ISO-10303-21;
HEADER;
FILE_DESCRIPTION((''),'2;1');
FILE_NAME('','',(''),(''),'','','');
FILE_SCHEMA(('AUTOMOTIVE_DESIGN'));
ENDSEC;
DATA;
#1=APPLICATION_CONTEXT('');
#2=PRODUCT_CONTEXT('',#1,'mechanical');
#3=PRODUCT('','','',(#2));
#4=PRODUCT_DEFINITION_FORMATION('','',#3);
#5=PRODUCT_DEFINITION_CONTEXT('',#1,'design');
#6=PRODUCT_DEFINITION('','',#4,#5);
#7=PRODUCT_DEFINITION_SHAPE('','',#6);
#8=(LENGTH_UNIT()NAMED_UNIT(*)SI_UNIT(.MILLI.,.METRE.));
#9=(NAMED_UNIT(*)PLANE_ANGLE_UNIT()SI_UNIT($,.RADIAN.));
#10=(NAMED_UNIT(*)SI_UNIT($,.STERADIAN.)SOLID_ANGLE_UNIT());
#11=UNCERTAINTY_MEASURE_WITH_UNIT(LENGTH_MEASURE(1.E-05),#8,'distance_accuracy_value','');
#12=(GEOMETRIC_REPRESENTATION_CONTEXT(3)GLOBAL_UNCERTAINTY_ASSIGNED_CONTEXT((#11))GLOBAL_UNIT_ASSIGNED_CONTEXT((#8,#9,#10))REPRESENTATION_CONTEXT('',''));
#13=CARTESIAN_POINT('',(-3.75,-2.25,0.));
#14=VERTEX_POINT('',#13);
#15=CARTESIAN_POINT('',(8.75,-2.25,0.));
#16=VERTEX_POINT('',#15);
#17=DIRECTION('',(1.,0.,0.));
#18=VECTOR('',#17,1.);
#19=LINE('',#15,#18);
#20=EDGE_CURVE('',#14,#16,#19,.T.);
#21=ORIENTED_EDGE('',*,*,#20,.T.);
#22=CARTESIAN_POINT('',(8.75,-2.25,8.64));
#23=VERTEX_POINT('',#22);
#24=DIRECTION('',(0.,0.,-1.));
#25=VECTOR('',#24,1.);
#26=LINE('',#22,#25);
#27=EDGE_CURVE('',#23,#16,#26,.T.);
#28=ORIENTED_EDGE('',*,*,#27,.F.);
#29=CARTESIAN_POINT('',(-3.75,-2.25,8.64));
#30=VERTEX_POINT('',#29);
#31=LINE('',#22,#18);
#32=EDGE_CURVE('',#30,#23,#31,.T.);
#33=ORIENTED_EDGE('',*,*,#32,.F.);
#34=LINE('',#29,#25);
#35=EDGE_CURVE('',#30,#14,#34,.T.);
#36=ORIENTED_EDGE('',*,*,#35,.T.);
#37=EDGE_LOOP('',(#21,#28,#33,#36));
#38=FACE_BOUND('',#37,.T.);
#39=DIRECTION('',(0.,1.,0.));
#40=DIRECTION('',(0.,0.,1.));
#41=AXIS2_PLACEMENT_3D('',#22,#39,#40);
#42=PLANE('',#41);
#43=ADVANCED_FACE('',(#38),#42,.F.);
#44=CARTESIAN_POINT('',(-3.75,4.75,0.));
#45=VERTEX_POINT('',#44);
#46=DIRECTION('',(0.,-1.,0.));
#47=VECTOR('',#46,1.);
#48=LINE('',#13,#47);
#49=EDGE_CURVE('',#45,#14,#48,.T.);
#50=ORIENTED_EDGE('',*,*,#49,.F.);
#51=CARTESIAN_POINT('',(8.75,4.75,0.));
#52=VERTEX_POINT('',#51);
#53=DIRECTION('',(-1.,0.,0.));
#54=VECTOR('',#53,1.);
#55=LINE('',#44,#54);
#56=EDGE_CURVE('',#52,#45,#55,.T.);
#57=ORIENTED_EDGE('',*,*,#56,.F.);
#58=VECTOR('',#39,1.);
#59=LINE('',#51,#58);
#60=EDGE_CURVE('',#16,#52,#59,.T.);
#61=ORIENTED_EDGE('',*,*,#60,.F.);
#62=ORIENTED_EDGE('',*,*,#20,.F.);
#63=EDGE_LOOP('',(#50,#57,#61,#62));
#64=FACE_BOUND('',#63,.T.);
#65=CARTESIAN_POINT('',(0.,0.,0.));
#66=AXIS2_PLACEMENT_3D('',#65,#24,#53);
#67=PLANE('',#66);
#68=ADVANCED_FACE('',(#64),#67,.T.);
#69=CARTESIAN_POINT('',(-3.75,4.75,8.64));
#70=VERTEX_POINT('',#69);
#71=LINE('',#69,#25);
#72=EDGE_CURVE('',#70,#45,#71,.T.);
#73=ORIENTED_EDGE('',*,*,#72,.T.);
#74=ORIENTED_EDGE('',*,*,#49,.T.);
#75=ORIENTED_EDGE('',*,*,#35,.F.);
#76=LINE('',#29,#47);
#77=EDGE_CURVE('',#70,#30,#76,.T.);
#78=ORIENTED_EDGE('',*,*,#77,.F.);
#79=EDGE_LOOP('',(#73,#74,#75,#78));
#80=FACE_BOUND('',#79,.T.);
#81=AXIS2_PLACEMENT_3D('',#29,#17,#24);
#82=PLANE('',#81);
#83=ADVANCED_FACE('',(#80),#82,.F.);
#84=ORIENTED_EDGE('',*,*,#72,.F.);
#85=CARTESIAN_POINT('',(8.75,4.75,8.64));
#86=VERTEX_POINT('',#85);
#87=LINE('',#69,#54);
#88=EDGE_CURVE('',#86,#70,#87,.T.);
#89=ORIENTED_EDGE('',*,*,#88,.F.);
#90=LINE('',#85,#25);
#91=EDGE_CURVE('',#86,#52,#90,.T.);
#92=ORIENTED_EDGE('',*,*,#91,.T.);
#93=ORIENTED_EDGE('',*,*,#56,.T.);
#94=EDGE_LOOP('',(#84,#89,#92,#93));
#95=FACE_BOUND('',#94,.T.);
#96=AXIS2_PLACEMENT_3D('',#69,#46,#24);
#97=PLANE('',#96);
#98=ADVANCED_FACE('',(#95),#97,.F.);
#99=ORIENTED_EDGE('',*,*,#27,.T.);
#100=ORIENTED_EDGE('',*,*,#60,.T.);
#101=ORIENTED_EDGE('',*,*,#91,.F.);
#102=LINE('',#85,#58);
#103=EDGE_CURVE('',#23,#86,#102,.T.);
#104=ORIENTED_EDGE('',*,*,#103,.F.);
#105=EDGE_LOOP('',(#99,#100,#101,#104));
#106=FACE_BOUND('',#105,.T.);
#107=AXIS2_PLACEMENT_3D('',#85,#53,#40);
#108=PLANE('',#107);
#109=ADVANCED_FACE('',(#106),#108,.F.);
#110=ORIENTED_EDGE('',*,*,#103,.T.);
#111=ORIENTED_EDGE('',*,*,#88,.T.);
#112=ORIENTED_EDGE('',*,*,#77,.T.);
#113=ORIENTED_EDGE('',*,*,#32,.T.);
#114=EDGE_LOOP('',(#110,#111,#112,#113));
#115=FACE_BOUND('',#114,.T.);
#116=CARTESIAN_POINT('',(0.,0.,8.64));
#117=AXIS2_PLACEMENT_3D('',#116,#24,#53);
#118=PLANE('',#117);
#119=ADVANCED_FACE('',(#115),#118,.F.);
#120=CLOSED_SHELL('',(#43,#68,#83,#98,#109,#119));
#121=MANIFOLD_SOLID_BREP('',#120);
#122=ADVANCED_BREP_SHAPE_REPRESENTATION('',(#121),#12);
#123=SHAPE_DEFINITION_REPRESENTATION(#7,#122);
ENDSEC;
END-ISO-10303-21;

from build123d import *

# Parameters (mm, degrees)
SKETCH1_W               = 12.5
SKETCH1_H               = 7
COMPONENT_OUTLINE_DEPTH = 8.64


with BuildPart() as part:
    # Sketch1 → Component_Outline (new body)
    with BuildSketch(Plane.XY):
        with Locations((2.5, 1.25)):
            Rectangle(SKETCH1_W, SKETCH1_H)
    extrude(amount=COMPONENT_OUTLINE_DEPTH)


solid = part.part
